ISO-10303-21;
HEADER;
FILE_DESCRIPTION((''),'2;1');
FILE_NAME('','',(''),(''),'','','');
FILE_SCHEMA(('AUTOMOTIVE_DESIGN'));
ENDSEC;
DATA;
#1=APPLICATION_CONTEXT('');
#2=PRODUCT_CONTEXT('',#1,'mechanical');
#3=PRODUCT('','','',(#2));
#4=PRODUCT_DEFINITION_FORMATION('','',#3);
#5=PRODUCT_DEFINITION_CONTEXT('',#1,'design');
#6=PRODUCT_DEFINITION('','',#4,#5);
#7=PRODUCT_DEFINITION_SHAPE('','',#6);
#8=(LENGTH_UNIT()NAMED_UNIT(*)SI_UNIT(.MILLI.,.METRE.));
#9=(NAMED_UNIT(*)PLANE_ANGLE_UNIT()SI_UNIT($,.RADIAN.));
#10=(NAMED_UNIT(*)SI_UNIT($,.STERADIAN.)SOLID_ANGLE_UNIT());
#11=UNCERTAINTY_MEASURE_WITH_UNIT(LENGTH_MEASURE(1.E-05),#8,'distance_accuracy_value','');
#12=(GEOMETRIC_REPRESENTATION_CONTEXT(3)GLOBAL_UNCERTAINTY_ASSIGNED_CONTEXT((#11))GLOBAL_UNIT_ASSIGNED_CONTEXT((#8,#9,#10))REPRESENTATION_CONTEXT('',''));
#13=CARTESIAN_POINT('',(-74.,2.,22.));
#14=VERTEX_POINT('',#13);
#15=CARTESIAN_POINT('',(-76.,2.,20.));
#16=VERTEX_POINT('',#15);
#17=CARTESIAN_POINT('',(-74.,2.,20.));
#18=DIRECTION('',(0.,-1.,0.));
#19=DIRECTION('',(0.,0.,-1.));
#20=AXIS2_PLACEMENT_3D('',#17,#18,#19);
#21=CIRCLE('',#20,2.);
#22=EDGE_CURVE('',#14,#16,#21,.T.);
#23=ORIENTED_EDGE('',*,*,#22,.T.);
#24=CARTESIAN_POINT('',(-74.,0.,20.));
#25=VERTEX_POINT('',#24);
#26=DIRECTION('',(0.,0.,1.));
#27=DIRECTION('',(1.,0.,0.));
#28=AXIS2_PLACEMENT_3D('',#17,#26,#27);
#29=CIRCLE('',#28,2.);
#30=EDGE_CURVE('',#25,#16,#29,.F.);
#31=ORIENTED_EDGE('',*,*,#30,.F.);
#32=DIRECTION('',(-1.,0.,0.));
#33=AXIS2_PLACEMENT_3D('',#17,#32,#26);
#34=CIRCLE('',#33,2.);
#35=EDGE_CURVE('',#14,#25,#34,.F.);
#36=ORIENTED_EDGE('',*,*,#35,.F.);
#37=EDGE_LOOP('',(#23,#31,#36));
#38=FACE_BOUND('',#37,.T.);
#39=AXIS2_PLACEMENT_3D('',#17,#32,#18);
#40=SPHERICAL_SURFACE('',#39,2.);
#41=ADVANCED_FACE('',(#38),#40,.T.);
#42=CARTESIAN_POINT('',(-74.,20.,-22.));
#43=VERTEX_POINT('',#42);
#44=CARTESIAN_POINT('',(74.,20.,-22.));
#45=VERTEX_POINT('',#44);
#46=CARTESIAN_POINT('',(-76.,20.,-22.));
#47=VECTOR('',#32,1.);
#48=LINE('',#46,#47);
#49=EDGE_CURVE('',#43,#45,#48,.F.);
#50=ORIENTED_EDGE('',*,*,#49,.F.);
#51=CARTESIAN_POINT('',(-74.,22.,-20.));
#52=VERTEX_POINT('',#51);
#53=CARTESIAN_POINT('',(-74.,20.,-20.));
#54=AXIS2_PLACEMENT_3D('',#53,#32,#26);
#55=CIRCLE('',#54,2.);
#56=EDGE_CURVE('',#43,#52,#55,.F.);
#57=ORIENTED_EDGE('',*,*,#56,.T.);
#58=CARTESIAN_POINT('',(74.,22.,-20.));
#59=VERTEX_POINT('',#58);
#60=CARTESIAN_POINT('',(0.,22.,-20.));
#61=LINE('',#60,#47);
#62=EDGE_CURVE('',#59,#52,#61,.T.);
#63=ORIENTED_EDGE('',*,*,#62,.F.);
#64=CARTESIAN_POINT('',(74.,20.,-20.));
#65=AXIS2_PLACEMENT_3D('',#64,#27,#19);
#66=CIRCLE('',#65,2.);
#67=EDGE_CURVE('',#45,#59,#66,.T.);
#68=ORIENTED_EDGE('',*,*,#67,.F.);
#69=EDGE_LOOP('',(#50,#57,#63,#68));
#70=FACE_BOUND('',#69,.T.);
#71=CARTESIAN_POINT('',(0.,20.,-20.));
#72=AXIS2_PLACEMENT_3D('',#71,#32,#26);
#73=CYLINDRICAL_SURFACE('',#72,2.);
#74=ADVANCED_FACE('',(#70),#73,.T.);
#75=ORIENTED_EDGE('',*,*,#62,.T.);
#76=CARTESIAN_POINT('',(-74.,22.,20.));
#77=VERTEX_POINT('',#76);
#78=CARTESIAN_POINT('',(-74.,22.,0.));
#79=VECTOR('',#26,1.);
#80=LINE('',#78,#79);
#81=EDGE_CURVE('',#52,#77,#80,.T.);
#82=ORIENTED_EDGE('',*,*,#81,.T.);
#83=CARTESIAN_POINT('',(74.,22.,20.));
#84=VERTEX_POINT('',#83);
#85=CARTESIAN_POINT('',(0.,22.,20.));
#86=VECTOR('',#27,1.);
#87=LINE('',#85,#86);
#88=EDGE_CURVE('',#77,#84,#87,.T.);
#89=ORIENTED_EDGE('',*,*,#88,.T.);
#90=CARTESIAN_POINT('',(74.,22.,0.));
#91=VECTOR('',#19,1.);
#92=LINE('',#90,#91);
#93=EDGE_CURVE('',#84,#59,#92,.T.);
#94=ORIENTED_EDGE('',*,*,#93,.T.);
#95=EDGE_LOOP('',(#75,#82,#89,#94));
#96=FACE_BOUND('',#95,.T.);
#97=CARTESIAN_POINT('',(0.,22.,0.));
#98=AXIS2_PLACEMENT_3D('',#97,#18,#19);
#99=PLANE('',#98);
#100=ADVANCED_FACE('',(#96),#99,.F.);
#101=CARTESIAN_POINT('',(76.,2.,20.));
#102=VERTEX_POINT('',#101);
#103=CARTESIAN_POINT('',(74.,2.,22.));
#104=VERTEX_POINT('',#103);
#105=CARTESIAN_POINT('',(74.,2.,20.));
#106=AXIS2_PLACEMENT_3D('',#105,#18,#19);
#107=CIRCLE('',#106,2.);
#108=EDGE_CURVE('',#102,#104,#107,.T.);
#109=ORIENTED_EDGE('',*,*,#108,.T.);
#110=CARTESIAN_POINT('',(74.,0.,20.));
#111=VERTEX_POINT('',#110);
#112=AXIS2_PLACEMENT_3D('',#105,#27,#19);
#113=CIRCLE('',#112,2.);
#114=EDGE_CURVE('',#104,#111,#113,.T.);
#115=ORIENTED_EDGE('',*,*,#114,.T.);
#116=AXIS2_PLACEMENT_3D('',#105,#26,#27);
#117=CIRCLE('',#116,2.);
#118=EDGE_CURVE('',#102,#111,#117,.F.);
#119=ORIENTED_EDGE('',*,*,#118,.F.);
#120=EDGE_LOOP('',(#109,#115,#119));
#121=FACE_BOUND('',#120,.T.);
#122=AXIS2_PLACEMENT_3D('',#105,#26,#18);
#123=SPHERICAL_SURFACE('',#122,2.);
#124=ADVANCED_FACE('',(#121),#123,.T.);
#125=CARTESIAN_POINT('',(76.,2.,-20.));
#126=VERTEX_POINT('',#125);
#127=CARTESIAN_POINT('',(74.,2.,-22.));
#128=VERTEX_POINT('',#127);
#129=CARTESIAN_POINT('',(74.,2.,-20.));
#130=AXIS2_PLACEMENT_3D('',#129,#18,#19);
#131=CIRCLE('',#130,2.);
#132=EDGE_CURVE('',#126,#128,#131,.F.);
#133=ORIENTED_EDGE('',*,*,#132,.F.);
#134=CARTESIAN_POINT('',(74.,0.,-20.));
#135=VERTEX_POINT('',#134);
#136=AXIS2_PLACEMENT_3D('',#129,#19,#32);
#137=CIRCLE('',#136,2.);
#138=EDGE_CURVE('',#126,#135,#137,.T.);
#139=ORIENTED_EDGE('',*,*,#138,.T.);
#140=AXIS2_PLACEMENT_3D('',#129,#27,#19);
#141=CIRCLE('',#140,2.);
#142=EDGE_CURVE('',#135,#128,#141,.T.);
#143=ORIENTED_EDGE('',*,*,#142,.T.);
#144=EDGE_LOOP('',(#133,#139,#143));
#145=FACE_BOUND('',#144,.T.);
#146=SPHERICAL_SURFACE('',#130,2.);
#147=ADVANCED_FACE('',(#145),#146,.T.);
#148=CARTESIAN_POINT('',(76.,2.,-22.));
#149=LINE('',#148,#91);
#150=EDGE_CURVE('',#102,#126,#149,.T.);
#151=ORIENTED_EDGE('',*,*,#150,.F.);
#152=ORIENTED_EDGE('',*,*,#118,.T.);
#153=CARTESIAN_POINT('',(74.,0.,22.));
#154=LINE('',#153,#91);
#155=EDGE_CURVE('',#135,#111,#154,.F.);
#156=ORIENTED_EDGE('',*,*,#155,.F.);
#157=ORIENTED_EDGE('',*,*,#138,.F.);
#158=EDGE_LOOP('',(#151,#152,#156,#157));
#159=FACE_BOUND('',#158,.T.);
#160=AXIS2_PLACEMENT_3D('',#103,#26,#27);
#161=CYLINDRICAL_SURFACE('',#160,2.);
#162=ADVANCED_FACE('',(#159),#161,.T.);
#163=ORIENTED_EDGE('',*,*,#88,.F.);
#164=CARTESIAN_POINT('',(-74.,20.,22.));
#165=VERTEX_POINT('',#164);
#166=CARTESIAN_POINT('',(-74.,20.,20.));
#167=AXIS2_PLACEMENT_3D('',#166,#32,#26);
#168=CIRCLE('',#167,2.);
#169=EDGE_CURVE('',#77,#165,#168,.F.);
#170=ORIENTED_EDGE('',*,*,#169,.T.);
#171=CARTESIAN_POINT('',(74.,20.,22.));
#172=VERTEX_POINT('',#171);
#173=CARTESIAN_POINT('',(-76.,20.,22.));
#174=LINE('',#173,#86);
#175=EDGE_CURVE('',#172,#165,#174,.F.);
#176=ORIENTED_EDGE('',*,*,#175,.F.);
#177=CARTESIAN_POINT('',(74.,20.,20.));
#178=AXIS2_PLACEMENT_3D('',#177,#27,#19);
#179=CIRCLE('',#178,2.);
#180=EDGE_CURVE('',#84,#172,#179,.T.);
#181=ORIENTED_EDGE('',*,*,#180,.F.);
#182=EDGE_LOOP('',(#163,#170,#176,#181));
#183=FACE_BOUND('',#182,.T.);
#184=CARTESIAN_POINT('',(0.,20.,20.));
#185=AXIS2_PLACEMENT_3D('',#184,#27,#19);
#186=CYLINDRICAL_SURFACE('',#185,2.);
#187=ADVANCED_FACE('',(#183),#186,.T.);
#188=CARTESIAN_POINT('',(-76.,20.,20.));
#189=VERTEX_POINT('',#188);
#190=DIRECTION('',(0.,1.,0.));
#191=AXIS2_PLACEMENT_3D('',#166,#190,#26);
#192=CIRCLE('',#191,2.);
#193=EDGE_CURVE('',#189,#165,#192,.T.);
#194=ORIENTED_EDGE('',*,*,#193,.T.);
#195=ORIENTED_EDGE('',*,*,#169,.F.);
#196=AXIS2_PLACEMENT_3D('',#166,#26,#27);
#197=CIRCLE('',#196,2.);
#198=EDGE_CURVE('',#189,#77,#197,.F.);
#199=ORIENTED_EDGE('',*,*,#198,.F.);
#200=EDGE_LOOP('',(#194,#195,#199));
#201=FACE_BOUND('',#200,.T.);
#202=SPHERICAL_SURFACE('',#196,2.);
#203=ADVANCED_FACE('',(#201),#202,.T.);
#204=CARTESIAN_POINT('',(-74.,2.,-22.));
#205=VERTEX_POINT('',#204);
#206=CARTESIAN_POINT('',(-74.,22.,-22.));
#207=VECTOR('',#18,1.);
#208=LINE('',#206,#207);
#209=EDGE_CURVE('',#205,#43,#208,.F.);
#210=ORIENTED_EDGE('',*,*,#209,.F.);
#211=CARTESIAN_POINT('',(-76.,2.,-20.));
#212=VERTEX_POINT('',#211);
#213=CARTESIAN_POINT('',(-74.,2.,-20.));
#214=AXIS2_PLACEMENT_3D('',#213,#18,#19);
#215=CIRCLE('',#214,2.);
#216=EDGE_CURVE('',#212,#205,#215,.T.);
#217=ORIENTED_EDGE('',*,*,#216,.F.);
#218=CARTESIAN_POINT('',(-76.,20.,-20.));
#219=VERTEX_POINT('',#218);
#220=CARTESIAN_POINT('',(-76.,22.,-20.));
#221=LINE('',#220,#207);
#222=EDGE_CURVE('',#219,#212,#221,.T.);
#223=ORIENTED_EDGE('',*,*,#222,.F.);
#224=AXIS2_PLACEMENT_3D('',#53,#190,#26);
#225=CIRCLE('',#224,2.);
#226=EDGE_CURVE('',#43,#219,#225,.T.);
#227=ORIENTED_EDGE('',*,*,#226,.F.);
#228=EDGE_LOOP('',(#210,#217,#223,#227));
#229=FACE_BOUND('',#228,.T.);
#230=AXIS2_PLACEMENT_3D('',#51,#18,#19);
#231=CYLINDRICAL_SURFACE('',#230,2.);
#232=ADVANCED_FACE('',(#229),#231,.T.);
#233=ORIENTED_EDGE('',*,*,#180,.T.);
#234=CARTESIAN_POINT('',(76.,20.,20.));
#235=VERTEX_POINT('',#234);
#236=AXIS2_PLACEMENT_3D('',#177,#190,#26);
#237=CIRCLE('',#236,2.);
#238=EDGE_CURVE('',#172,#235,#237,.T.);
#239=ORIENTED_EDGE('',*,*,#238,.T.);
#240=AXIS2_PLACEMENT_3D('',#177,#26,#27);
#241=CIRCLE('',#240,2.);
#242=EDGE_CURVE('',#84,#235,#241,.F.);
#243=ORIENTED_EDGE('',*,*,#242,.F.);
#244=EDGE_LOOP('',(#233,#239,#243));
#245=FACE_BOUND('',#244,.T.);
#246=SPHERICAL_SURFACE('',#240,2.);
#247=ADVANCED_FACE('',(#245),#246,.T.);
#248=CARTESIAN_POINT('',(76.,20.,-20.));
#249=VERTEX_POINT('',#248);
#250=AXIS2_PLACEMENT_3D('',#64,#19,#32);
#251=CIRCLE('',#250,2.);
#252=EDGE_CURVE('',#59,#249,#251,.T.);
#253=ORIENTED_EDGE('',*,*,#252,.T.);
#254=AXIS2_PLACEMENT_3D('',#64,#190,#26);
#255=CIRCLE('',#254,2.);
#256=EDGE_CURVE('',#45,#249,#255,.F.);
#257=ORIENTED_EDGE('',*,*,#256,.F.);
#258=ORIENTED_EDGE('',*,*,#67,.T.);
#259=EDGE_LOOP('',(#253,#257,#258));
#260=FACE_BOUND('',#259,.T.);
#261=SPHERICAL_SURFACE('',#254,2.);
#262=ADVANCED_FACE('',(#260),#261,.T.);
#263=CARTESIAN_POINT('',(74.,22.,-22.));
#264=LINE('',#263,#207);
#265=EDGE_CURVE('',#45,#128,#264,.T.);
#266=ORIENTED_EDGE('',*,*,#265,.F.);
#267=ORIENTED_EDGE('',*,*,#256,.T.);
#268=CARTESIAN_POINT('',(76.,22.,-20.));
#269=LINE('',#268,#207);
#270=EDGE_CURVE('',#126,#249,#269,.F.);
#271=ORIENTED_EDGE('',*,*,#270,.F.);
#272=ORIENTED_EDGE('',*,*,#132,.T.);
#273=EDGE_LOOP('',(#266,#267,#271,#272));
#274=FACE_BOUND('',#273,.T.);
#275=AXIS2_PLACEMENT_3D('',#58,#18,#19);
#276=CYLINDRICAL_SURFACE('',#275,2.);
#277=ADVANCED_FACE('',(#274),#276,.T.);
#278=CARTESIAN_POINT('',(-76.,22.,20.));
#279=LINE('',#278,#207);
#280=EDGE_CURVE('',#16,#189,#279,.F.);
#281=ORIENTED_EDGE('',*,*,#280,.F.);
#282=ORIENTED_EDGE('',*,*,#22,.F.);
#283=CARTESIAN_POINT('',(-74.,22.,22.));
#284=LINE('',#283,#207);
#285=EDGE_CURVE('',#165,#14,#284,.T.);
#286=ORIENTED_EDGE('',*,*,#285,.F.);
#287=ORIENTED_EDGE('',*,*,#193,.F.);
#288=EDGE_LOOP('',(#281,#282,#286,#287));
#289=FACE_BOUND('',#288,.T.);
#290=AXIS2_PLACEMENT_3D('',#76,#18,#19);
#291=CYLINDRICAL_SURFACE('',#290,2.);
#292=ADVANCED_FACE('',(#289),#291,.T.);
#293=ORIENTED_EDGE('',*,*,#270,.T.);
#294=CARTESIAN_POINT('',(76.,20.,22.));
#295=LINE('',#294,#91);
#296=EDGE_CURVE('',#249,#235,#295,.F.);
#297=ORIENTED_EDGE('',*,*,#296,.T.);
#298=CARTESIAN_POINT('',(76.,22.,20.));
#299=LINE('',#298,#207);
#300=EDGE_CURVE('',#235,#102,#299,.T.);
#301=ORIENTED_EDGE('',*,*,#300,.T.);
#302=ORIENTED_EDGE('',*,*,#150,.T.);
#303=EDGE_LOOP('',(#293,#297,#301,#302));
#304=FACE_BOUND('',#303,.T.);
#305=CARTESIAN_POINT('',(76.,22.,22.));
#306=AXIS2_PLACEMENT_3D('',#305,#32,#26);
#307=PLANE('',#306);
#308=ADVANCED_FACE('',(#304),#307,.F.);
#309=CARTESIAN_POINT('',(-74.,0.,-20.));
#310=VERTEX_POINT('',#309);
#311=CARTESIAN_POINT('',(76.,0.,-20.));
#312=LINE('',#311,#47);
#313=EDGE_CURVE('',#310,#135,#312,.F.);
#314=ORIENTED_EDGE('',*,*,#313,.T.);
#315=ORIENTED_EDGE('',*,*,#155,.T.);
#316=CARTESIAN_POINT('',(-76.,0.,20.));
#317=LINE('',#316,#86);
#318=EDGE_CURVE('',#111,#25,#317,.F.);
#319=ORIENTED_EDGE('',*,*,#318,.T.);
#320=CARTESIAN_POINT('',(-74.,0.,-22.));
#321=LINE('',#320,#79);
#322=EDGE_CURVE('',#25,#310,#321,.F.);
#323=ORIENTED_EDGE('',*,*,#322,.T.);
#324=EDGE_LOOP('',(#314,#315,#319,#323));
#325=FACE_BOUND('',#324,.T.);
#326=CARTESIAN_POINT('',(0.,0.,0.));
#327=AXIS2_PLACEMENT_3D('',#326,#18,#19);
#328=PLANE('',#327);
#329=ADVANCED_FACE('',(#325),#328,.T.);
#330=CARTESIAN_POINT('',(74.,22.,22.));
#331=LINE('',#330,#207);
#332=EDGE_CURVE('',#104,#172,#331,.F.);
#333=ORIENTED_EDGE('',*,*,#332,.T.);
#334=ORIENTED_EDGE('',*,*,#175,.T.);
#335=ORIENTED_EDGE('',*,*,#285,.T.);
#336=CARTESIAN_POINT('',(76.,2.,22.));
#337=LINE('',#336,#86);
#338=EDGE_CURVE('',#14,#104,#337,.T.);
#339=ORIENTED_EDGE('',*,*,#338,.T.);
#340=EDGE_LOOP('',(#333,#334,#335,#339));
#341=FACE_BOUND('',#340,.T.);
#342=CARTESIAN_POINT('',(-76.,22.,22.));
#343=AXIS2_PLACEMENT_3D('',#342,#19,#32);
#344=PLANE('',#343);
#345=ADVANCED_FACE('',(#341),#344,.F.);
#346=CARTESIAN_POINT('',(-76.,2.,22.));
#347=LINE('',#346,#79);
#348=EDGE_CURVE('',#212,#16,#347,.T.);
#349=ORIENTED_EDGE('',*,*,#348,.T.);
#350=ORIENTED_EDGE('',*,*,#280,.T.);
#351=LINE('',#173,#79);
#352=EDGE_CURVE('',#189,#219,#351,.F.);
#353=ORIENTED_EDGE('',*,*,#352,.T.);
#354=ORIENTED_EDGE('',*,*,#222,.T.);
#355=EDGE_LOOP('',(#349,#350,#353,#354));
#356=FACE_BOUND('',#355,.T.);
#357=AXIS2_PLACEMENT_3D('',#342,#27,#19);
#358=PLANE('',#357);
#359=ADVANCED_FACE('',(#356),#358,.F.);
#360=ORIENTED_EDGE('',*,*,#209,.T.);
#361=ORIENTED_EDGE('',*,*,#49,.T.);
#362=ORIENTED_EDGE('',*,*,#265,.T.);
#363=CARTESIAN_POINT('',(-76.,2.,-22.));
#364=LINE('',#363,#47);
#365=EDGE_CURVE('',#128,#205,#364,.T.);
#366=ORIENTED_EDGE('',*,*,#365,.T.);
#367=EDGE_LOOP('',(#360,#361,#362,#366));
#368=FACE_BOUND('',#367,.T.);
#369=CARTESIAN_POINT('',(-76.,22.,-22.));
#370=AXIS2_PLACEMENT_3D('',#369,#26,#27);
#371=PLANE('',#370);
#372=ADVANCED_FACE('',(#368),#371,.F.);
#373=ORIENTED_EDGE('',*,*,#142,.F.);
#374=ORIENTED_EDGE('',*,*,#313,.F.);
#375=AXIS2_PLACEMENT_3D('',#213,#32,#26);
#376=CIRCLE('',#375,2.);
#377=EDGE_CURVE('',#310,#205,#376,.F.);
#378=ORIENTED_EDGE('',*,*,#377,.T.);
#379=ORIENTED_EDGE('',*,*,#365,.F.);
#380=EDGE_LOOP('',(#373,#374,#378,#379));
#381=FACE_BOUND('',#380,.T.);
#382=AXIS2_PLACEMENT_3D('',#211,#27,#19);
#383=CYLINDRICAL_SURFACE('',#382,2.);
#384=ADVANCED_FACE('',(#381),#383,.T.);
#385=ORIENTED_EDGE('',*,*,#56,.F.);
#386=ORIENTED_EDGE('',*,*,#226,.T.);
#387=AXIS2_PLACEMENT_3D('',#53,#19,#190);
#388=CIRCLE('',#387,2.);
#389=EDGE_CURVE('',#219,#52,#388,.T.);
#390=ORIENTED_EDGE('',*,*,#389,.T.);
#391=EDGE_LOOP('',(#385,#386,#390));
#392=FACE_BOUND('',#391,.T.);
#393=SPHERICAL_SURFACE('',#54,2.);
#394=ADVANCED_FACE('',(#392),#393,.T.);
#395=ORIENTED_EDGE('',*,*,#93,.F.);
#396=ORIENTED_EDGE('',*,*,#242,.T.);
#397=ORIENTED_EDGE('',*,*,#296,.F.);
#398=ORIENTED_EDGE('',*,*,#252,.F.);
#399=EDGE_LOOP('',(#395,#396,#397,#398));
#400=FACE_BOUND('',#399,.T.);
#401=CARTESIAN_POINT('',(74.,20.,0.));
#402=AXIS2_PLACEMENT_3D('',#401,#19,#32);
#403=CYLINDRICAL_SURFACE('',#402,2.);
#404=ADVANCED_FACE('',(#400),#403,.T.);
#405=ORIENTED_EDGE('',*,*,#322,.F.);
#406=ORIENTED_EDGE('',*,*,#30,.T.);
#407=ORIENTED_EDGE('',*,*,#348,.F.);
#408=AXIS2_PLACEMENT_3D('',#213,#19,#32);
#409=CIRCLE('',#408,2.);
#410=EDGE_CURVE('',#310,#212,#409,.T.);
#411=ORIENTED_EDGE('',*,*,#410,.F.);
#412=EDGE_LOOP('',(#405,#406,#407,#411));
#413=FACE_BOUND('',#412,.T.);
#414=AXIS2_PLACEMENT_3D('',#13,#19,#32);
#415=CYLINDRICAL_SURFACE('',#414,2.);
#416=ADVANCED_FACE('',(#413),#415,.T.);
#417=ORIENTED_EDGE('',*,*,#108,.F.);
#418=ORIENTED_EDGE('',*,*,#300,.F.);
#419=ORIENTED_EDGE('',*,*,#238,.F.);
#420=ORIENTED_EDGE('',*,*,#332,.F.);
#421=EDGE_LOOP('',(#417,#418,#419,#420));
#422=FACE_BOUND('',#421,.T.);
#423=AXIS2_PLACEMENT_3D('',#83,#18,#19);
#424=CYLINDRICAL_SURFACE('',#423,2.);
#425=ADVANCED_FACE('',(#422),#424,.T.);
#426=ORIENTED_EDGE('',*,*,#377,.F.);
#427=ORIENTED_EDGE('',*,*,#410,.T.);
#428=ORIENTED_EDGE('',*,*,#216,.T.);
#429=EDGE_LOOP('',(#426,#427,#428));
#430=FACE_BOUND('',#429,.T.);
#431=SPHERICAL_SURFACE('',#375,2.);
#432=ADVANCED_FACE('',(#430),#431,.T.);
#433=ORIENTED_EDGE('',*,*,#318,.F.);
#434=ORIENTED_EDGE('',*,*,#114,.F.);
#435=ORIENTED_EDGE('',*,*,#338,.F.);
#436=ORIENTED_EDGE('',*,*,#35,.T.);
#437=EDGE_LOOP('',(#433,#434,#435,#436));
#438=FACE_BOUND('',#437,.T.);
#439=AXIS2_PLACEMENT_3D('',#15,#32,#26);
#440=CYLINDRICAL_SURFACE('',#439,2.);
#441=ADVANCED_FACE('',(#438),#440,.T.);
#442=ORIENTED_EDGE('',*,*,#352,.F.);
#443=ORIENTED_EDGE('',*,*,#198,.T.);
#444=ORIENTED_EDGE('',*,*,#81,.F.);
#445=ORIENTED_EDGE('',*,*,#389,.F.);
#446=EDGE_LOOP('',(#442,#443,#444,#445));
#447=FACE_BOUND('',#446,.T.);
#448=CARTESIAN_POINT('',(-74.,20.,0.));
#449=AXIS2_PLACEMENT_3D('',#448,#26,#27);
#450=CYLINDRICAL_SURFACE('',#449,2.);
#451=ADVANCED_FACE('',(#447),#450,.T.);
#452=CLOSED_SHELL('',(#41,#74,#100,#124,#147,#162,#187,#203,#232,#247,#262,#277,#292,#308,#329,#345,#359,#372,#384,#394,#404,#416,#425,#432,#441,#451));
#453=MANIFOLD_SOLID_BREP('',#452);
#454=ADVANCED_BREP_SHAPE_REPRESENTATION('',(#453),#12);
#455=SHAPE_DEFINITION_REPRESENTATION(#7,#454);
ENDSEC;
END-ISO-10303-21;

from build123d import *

# Parameters (mm, degrees)
SKETCH_1_W      = 152
SKETCH_1_H      = 44
EXTRUDE_1_DEPTH = 22
FILLET_1_R      = 2


with BuildPart() as part:
    # 草图1 → 凸台-拉伸1 (new body)
    with BuildSketch(Plane(origin=(0, 0, 0), x_dir=(1, 0, 0), z_dir=(0, 1, 0))):
        Rectangle(SKETCH_1_W, SKETCH_1_H)
    extrude(amount=EXTRUDE_1_DEPTH)

    # 圆角1
    fillet_1_edges = [part.edges().sort_by_distance(p)[0] for p in [
        (-76, 22, 0),
        (0, 22, 22),
        (76, 22, 0),
        (0, 0, 22),
        (-76, 0, 0),
        (0, 0, -22),
        (76, 0, 0),
        (76, 11, 22),
        (-76, 11, 22),
        (-76, 11, -22),
        (76, 11, -22),
        (0, 22, -22),
    ]]
    fillet(fillet_1_edges, radius=FILLET_1_R)


solid = part.part
